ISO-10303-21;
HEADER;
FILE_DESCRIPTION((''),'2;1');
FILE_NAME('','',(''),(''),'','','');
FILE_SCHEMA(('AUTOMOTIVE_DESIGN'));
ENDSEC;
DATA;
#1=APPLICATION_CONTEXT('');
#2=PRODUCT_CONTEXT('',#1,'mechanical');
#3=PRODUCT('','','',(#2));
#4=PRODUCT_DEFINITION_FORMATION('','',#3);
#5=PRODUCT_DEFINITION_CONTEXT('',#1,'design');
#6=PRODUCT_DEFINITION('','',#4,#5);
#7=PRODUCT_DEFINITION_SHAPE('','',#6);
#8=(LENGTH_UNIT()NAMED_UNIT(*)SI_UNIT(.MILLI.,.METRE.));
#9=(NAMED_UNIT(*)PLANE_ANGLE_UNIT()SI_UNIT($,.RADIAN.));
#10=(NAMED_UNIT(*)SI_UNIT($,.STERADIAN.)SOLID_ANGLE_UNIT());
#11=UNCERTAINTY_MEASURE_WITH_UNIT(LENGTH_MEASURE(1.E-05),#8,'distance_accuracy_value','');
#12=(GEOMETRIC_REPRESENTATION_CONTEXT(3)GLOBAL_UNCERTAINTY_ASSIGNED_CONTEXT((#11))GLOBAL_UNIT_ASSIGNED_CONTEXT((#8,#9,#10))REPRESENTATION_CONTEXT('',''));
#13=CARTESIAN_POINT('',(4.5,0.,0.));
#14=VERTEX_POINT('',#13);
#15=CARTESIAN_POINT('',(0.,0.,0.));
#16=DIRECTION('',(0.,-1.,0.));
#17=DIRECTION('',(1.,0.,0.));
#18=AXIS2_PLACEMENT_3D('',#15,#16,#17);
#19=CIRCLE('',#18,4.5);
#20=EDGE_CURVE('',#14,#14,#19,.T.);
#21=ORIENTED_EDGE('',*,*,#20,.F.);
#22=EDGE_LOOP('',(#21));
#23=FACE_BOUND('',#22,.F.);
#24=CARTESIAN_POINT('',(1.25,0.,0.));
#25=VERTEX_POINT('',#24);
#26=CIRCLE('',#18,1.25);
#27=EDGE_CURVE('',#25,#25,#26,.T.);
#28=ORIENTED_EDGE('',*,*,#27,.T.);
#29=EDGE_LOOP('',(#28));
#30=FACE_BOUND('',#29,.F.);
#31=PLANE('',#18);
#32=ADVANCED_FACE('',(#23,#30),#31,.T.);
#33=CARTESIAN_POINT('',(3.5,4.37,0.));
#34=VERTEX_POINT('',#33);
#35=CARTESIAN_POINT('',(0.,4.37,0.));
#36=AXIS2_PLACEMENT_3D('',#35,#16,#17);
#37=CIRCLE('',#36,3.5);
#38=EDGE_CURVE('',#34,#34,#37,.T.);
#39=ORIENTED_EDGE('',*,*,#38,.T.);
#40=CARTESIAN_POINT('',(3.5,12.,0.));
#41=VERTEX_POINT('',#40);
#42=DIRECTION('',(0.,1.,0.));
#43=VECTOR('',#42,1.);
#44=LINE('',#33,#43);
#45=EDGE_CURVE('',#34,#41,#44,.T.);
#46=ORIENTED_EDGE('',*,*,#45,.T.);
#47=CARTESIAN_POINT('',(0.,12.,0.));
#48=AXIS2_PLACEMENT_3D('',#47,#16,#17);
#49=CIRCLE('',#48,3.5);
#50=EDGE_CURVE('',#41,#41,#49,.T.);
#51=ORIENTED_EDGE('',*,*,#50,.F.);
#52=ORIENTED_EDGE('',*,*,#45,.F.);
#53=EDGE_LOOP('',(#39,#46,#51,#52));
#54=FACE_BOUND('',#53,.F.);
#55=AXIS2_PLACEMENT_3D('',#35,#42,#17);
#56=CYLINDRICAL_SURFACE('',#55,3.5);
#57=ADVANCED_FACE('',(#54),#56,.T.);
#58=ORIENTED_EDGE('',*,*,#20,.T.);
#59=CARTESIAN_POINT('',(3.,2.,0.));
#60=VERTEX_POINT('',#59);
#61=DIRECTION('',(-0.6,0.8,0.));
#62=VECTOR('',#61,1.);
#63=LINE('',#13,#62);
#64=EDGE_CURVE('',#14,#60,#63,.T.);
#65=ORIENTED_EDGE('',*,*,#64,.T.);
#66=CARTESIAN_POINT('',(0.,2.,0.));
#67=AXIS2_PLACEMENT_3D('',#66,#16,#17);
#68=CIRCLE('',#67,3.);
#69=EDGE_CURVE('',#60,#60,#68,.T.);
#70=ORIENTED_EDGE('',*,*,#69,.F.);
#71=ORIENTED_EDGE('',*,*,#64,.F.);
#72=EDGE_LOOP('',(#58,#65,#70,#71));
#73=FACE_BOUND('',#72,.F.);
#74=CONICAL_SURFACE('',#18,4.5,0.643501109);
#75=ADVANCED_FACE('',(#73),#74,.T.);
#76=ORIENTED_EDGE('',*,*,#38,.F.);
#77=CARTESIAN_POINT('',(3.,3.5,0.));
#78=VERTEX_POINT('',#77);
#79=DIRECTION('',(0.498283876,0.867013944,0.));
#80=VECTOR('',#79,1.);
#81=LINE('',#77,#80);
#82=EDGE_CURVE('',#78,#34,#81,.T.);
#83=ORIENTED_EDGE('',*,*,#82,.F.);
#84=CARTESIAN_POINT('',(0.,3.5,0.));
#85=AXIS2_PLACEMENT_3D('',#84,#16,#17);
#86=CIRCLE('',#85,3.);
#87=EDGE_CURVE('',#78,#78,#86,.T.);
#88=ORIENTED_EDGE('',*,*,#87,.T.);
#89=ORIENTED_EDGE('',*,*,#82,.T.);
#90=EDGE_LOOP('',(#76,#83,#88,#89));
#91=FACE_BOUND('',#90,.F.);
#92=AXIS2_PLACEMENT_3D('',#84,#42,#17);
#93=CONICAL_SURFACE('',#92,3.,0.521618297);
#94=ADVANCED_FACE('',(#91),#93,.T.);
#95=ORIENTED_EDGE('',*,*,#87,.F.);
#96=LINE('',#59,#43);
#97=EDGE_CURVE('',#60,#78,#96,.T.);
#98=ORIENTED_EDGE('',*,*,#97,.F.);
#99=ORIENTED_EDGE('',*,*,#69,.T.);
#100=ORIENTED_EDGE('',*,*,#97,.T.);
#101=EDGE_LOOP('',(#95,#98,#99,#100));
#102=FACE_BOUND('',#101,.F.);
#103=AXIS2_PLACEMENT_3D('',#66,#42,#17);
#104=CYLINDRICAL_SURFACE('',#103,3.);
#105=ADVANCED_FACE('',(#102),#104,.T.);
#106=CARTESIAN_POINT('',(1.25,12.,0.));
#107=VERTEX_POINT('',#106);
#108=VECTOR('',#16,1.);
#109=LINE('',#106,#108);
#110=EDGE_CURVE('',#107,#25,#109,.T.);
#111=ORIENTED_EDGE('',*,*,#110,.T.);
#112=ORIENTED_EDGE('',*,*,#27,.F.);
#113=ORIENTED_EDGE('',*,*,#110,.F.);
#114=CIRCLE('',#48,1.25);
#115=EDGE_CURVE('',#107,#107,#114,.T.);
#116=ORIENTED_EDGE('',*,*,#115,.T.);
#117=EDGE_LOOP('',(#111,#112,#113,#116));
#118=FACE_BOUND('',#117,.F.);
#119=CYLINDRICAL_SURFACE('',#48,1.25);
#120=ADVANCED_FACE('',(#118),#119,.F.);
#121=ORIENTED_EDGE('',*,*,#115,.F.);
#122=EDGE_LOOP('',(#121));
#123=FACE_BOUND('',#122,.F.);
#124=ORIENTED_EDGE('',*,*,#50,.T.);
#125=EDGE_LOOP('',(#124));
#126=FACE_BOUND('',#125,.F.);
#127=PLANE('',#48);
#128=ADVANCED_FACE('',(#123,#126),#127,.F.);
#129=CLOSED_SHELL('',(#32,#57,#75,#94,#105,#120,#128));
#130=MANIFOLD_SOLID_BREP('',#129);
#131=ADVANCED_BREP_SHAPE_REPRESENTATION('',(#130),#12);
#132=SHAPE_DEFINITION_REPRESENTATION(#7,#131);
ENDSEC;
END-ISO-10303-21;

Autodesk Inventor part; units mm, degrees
sketch "Sketch_3" plane through (0, 0, 0) normal (0, 0, 1) x (1, 0, 0)
  line L0 (0, 0) -> (0, 12)
  line L1 (1.25, 12) -> (1.25, 0)
  line L2 (1.25, 0) -> (4.5, 0)
  line L3 (4.5, 0) -> (3, 2)
  line L4 (3, 2) -> (3, 3.5)
  line L5 (3, 3.5) -> (3.5, 4.37)
  line L6 (3.5, 4.37) -> (3.5, 12)
  line L7 (3.5, 12) -> (1.25, 12)
revolve "Revolution1" add sketch "Sketch_3" angle 360 about axis through (0, 0, 0) along (0, -1, 0)
ref_plane "PAD_DUMMY_XY" through (0, 0, 0) normal (0, -1, 0) x (1, 0, 0)
ref_plane "PAD_DUMMY_YZ" through (0, 0, 0) normal (1, 0, 0) x (0, 0, 1)
ref_plane "PAD_DUMMY_ZX" through (0, 0, 0) normal (0, 0, 1) x (0, -1, 0)
ref_plane "pad_a_XY" through (0, 12, 0) normal (0, 1, 0) x (1, 0, 0)
ref_plane "pad_a_YZ" through (0, 12, 0) normal (1, 0, 0) x (0, 0, -1)
ref_plane "pad_a_ZX" through (0, 12, 0) normal (0, 0, -1) x (0, 1, 0)
properties part number "ZP08U_T_B"
